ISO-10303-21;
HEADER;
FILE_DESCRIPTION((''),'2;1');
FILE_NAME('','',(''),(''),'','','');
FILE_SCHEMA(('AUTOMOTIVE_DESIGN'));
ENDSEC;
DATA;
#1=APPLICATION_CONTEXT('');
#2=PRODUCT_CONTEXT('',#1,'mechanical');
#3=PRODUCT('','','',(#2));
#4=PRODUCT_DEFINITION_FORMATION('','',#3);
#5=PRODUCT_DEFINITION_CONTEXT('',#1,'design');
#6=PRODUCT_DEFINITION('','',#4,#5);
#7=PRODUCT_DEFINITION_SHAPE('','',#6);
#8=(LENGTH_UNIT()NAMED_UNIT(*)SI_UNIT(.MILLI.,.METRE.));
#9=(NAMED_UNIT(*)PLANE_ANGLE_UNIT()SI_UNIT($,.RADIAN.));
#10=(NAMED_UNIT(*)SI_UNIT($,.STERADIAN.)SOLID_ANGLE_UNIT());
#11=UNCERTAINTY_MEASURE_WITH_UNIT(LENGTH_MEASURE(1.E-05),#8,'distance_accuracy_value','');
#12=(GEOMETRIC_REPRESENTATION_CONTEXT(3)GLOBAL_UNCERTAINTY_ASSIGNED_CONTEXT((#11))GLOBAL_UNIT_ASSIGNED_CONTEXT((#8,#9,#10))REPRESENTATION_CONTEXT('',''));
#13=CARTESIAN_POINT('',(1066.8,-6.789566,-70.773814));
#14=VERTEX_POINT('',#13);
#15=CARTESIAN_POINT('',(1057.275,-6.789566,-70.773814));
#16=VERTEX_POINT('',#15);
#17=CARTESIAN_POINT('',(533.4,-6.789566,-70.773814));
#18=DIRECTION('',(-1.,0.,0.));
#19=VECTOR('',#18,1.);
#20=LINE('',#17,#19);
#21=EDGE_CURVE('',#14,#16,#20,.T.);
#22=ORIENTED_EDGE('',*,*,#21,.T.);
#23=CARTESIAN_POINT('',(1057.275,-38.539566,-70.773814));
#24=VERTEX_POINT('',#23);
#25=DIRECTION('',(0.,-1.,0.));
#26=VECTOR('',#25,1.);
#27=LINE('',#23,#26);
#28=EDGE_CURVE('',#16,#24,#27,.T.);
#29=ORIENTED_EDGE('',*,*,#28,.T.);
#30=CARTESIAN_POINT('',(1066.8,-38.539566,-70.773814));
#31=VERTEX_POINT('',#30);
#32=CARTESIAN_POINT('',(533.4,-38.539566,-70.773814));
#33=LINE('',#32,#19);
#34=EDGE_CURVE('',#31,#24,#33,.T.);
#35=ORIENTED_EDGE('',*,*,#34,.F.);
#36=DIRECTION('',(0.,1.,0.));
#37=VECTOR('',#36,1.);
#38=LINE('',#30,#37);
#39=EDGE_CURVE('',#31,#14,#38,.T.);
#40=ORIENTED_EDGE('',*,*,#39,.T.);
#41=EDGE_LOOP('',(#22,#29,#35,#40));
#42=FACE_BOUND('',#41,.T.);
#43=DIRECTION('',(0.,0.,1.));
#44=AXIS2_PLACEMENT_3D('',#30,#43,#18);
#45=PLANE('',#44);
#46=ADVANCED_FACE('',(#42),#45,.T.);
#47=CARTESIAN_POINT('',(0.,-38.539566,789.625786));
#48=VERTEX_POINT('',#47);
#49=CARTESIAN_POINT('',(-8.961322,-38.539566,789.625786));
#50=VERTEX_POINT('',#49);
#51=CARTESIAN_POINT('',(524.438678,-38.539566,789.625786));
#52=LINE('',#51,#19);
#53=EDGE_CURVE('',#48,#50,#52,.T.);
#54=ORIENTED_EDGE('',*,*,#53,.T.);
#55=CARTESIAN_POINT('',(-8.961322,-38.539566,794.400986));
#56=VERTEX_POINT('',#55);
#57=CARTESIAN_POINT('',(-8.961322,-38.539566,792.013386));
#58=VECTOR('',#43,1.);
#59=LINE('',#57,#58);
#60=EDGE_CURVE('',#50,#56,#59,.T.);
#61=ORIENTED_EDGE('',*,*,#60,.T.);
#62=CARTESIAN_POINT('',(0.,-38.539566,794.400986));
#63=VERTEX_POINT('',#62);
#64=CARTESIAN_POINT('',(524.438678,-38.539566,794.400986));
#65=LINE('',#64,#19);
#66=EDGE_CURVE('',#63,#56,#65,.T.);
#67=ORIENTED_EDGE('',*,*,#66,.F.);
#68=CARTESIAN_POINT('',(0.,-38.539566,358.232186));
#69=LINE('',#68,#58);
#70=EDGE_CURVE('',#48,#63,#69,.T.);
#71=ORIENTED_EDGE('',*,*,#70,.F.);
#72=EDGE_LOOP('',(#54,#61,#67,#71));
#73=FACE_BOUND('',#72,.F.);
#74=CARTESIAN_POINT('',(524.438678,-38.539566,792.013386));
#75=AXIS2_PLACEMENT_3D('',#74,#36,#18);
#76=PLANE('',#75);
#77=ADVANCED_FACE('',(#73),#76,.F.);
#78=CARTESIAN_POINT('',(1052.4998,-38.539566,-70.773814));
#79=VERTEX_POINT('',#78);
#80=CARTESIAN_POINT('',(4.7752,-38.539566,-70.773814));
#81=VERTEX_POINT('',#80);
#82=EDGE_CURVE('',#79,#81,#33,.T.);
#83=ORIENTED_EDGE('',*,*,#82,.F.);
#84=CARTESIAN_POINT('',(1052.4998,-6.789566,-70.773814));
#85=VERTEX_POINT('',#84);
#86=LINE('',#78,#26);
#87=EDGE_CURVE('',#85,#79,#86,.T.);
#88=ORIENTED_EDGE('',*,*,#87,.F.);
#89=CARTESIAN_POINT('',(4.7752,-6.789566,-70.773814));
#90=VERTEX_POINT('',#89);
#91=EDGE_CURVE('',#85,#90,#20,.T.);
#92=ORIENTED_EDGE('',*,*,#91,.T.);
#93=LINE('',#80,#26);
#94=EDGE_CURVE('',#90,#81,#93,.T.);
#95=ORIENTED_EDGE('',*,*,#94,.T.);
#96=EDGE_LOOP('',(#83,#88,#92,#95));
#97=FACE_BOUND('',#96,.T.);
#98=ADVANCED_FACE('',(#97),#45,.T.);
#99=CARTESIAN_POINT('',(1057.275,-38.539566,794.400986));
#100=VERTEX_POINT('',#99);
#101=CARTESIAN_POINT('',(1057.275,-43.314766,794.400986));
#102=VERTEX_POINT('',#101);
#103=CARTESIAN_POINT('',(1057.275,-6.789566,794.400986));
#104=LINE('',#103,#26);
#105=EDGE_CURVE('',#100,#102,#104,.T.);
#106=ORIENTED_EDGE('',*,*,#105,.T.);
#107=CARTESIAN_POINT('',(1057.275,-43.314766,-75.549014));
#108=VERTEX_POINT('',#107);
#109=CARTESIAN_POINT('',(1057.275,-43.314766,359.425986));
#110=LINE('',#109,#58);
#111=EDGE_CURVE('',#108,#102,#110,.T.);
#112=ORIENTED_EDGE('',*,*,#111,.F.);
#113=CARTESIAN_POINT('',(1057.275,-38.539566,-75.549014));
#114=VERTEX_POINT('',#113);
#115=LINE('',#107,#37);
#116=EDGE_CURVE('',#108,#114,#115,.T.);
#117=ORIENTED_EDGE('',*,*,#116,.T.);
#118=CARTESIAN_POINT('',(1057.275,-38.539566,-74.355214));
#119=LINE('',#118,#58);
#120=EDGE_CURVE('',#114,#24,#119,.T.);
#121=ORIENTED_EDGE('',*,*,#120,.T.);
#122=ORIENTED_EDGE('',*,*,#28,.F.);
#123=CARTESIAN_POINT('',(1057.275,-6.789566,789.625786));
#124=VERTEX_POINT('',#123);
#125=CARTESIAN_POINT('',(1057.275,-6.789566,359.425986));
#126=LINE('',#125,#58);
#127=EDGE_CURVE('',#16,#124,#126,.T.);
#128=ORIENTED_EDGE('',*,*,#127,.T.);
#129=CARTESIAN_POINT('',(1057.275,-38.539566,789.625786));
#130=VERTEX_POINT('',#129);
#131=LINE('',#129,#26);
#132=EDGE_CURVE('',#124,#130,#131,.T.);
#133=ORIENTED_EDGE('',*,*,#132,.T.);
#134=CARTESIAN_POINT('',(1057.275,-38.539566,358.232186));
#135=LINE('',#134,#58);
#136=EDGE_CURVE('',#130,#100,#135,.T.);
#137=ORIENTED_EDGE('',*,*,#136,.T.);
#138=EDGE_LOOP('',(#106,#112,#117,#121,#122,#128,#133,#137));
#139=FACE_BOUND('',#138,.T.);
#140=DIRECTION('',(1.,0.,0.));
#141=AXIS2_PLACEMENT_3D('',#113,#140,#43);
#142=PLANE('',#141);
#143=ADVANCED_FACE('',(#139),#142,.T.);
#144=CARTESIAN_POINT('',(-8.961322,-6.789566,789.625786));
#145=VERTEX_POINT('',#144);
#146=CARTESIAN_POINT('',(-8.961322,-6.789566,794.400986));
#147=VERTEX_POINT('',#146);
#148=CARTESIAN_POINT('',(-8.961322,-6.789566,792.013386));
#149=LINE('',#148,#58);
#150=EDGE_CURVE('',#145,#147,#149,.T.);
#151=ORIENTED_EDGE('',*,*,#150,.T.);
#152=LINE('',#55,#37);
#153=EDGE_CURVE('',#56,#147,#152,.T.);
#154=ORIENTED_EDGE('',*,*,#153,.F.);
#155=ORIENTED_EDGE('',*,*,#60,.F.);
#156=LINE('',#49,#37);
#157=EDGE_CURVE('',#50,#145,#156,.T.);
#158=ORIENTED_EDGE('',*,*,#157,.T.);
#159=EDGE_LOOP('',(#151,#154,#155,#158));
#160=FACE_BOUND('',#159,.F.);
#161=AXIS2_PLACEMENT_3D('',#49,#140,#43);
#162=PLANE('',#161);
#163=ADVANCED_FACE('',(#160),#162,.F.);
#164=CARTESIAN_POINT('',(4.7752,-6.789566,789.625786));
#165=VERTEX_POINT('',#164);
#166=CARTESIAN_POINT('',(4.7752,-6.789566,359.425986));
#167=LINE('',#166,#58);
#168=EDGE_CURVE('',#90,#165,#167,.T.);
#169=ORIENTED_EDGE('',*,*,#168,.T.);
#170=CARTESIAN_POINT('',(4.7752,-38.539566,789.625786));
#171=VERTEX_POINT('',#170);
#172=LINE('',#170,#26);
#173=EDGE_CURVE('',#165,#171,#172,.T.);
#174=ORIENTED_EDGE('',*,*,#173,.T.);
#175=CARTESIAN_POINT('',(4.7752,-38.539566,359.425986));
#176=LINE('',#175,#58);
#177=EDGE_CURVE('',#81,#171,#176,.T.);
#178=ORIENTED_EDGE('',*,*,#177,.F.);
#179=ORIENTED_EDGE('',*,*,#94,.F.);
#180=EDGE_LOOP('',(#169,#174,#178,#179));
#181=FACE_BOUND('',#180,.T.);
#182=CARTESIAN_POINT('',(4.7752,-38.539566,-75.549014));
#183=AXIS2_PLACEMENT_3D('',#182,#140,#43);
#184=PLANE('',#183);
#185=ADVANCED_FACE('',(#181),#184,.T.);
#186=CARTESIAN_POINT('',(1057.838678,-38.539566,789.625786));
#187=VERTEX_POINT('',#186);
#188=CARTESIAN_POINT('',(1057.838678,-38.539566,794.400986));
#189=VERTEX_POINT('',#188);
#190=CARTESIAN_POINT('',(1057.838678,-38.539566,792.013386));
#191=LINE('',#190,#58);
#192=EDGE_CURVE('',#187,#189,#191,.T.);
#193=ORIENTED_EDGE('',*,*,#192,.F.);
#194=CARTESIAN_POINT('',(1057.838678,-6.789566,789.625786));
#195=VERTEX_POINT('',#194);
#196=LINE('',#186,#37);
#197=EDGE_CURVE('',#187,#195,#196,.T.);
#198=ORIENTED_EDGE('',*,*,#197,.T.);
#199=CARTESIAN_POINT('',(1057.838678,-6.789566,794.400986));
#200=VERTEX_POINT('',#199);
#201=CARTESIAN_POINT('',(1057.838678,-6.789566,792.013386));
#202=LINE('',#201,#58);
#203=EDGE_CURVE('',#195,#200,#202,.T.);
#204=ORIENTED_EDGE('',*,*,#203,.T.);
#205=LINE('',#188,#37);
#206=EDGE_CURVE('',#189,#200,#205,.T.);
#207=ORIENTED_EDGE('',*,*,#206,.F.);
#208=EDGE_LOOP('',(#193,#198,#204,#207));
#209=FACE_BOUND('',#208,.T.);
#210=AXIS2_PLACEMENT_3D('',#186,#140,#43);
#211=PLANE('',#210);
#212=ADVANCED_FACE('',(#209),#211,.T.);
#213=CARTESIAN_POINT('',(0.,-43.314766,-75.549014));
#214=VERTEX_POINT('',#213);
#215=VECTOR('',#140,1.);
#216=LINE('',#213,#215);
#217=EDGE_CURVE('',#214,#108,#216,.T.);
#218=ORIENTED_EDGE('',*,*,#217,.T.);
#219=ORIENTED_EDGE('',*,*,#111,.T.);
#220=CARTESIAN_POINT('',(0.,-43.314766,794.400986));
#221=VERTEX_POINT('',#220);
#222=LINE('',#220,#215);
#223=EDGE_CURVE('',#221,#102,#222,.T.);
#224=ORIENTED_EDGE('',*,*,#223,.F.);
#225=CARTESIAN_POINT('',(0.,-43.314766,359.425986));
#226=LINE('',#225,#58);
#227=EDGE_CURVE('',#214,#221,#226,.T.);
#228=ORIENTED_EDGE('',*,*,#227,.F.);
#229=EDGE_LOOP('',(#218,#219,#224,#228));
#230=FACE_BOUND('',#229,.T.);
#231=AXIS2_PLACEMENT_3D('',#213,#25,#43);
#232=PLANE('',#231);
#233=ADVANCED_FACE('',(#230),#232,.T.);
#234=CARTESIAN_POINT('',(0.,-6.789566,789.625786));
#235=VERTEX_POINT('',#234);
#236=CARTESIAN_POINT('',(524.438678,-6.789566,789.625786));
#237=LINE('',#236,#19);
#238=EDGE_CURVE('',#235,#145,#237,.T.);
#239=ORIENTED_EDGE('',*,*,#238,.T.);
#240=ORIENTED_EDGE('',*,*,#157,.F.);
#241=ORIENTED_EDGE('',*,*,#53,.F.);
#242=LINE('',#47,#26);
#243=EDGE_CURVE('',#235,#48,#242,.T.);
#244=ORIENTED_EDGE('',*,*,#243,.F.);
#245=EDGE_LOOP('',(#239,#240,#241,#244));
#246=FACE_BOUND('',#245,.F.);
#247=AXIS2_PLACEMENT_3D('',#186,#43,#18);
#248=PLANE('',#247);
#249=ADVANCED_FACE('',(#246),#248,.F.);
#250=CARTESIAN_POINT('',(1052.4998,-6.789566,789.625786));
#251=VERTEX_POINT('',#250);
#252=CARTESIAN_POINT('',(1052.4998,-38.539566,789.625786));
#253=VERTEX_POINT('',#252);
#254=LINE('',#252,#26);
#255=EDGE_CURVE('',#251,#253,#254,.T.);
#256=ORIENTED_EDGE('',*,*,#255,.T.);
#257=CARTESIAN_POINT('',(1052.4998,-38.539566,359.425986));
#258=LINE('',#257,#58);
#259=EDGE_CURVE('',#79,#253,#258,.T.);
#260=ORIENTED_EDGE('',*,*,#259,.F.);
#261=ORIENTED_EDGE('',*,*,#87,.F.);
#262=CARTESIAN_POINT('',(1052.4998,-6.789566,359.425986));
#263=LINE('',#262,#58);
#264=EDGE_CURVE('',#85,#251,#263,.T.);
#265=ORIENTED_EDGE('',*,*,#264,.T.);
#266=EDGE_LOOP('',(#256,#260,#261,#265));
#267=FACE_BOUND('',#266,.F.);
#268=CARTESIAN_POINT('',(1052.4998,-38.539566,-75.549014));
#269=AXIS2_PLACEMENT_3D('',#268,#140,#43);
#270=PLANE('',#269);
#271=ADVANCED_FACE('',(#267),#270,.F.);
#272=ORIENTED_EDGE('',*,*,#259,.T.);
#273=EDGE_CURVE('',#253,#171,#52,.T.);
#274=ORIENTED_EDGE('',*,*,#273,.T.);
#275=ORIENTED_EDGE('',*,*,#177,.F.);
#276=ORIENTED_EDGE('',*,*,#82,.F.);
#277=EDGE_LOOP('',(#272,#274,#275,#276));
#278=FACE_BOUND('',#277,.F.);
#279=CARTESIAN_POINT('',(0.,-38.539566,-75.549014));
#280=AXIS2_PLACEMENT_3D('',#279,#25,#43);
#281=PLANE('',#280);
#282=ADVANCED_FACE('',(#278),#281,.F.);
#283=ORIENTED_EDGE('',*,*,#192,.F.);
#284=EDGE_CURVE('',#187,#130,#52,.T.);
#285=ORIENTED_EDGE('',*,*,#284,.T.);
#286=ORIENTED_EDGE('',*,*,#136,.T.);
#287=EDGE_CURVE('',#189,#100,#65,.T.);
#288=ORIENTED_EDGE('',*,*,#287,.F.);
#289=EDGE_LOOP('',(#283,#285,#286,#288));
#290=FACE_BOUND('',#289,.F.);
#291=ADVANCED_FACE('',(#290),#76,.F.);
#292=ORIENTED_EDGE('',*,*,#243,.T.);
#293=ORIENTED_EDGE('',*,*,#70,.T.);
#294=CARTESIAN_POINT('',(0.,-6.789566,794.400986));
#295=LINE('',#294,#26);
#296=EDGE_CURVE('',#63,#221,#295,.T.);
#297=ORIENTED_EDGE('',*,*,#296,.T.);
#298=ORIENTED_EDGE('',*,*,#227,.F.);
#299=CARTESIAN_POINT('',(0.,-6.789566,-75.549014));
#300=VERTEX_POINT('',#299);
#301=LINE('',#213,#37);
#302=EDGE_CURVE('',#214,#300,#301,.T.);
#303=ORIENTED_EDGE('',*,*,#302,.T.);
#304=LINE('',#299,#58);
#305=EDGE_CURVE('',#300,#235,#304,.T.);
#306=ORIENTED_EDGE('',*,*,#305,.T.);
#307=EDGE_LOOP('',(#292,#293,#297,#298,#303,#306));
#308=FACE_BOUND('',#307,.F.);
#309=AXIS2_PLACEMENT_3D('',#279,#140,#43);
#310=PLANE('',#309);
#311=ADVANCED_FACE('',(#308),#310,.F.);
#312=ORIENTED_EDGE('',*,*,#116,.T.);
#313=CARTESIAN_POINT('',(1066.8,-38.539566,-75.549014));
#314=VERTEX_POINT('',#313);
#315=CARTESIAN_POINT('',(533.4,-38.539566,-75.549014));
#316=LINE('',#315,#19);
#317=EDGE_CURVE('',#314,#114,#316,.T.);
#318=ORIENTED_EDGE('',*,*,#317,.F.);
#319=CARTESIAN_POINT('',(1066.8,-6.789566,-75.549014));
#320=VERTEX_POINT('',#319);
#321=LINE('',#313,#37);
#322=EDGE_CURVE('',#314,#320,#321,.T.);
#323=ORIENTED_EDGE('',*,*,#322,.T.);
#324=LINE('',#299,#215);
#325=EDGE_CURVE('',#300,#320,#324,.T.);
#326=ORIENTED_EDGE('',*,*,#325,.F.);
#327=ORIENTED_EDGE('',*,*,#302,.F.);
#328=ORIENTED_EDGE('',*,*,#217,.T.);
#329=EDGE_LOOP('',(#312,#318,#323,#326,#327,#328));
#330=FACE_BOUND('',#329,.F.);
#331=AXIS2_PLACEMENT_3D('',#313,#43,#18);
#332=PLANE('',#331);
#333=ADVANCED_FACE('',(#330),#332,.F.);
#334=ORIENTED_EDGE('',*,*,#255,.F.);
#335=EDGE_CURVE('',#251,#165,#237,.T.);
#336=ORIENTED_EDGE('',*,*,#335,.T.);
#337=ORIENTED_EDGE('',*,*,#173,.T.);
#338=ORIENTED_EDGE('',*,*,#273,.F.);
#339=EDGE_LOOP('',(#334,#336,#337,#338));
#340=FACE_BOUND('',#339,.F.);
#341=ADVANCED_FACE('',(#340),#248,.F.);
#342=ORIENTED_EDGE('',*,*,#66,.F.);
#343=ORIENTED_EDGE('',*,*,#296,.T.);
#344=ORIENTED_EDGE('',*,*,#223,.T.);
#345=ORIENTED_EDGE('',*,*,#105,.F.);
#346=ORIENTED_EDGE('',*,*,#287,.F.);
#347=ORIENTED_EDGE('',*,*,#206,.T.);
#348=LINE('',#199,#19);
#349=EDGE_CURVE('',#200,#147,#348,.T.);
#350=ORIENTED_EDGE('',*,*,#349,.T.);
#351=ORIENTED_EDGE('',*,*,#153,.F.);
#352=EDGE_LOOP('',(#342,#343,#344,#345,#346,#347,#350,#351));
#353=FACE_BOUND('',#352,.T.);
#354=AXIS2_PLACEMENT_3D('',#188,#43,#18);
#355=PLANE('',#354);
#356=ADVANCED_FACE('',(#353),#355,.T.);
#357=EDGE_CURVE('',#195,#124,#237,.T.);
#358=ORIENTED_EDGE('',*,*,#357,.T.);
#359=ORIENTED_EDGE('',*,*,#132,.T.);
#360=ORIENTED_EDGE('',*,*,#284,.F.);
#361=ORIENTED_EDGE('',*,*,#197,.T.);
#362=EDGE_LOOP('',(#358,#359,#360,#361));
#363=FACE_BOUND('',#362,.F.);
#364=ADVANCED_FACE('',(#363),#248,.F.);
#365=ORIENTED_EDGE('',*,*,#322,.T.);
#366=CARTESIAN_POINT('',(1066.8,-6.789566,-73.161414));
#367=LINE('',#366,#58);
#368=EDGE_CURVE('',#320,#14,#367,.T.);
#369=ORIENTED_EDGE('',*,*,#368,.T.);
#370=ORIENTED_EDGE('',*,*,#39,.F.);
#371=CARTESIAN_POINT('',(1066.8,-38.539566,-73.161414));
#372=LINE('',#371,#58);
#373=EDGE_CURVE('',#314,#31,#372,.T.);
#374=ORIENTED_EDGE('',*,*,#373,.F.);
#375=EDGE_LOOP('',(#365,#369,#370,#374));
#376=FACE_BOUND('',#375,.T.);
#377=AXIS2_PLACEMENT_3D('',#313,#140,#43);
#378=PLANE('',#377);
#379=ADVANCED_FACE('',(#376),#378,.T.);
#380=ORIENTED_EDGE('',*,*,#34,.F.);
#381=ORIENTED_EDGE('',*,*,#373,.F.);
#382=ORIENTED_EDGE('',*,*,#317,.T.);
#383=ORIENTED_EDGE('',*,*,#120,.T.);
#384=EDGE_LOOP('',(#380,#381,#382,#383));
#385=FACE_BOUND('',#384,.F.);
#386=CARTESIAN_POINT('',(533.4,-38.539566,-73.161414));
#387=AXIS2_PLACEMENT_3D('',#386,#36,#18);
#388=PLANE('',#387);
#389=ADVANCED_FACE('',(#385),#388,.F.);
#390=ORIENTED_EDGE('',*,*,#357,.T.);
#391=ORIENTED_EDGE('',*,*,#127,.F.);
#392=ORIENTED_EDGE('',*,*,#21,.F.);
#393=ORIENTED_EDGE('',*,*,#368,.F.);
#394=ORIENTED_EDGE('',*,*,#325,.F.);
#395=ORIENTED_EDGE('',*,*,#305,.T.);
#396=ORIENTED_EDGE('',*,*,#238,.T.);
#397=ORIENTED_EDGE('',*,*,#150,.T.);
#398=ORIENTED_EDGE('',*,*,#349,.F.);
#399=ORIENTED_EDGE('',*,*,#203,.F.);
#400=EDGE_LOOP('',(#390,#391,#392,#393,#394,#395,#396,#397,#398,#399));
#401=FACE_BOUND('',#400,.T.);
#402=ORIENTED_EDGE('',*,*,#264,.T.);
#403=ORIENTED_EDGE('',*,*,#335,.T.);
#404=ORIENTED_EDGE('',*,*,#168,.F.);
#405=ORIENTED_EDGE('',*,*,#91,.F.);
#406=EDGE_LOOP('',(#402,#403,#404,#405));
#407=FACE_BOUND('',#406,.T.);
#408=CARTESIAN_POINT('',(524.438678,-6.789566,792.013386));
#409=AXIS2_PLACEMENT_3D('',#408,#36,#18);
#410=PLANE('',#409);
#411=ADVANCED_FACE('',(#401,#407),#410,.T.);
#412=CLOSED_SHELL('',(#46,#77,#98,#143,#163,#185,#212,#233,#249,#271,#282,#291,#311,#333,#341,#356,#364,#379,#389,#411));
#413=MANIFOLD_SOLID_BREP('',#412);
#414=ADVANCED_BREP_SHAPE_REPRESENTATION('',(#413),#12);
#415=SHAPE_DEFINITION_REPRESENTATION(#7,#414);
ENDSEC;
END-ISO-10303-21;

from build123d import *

# Parameters (mm, degrees)
F0_W     = 4.7752
F0_H     = 869.95
F1_DEPTH = 1057.275
F2_W     = 4.7752
F2_H     = 869.95
F3_DEPTH = 31.75
F4_W     = 4.7752
F4_H     = 869.95
F5_DEPTH = 31.75
F6_W     = 1066.8
F6_H     = 4.7752
F7_DEPTH = 31.75
F8_W     = 1066.8
F8_H     = 4.7752
F9_DEPTH = 31.75


with BuildPart() as f1:
    # F0 (on Right) → F1 (new body)
    with BuildSketch(Plane.YZ):
        with Locations((-40.927166, 359.425986)):
            Rectangle(F0_W, F0_H)
    extrude(amount=F1_DEPTH)

    # F2 (on face) → F3 (join)
    with BuildSketch(Plane(origin=(0, -38.539566, 0), x_dir=(-1, 0, 0), z_dir=(0, 1, 0))):
        with Locations((-1054.8874, 359.425986)):
            Rectangle(F2_W, F2_H)
    extrude(amount=F3_DEPTH)

    # F4 (on face) → F5 (join)
    with BuildSketch(Plane(origin=(0, -38.539566, 0), x_dir=(-1, 0, 0), z_dir=(0, 1, 0))):
        with Locations((-2.3876, 359.425986)):
            Rectangle(F4_W, F4_H)
    extrude(amount=F5_DEPTH)

    # F6 (on face) → F7 (join)
    with BuildSketch(Plane(origin=(0, -38.539566, 0), x_dir=(-1, 0, 0), z_dir=(0, 1, 0))):
        with Locations((-533.4, -73.161414)):
            Rectangle(F6_W, F6_H)
    extrude(amount=F7_DEPTH)

    # F8 (on face) → F9 (join)
    with BuildSketch(Plane(origin=(0, -38.539566, 0), x_dir=(-1, 0, 0), z_dir=(0, 1, 0))):
        with Locations((-524.438678, 792.013386)):
            Rectangle(F8_W, F8_H)
    extrude(amount=F9_DEPTH)


solid = f1.part
